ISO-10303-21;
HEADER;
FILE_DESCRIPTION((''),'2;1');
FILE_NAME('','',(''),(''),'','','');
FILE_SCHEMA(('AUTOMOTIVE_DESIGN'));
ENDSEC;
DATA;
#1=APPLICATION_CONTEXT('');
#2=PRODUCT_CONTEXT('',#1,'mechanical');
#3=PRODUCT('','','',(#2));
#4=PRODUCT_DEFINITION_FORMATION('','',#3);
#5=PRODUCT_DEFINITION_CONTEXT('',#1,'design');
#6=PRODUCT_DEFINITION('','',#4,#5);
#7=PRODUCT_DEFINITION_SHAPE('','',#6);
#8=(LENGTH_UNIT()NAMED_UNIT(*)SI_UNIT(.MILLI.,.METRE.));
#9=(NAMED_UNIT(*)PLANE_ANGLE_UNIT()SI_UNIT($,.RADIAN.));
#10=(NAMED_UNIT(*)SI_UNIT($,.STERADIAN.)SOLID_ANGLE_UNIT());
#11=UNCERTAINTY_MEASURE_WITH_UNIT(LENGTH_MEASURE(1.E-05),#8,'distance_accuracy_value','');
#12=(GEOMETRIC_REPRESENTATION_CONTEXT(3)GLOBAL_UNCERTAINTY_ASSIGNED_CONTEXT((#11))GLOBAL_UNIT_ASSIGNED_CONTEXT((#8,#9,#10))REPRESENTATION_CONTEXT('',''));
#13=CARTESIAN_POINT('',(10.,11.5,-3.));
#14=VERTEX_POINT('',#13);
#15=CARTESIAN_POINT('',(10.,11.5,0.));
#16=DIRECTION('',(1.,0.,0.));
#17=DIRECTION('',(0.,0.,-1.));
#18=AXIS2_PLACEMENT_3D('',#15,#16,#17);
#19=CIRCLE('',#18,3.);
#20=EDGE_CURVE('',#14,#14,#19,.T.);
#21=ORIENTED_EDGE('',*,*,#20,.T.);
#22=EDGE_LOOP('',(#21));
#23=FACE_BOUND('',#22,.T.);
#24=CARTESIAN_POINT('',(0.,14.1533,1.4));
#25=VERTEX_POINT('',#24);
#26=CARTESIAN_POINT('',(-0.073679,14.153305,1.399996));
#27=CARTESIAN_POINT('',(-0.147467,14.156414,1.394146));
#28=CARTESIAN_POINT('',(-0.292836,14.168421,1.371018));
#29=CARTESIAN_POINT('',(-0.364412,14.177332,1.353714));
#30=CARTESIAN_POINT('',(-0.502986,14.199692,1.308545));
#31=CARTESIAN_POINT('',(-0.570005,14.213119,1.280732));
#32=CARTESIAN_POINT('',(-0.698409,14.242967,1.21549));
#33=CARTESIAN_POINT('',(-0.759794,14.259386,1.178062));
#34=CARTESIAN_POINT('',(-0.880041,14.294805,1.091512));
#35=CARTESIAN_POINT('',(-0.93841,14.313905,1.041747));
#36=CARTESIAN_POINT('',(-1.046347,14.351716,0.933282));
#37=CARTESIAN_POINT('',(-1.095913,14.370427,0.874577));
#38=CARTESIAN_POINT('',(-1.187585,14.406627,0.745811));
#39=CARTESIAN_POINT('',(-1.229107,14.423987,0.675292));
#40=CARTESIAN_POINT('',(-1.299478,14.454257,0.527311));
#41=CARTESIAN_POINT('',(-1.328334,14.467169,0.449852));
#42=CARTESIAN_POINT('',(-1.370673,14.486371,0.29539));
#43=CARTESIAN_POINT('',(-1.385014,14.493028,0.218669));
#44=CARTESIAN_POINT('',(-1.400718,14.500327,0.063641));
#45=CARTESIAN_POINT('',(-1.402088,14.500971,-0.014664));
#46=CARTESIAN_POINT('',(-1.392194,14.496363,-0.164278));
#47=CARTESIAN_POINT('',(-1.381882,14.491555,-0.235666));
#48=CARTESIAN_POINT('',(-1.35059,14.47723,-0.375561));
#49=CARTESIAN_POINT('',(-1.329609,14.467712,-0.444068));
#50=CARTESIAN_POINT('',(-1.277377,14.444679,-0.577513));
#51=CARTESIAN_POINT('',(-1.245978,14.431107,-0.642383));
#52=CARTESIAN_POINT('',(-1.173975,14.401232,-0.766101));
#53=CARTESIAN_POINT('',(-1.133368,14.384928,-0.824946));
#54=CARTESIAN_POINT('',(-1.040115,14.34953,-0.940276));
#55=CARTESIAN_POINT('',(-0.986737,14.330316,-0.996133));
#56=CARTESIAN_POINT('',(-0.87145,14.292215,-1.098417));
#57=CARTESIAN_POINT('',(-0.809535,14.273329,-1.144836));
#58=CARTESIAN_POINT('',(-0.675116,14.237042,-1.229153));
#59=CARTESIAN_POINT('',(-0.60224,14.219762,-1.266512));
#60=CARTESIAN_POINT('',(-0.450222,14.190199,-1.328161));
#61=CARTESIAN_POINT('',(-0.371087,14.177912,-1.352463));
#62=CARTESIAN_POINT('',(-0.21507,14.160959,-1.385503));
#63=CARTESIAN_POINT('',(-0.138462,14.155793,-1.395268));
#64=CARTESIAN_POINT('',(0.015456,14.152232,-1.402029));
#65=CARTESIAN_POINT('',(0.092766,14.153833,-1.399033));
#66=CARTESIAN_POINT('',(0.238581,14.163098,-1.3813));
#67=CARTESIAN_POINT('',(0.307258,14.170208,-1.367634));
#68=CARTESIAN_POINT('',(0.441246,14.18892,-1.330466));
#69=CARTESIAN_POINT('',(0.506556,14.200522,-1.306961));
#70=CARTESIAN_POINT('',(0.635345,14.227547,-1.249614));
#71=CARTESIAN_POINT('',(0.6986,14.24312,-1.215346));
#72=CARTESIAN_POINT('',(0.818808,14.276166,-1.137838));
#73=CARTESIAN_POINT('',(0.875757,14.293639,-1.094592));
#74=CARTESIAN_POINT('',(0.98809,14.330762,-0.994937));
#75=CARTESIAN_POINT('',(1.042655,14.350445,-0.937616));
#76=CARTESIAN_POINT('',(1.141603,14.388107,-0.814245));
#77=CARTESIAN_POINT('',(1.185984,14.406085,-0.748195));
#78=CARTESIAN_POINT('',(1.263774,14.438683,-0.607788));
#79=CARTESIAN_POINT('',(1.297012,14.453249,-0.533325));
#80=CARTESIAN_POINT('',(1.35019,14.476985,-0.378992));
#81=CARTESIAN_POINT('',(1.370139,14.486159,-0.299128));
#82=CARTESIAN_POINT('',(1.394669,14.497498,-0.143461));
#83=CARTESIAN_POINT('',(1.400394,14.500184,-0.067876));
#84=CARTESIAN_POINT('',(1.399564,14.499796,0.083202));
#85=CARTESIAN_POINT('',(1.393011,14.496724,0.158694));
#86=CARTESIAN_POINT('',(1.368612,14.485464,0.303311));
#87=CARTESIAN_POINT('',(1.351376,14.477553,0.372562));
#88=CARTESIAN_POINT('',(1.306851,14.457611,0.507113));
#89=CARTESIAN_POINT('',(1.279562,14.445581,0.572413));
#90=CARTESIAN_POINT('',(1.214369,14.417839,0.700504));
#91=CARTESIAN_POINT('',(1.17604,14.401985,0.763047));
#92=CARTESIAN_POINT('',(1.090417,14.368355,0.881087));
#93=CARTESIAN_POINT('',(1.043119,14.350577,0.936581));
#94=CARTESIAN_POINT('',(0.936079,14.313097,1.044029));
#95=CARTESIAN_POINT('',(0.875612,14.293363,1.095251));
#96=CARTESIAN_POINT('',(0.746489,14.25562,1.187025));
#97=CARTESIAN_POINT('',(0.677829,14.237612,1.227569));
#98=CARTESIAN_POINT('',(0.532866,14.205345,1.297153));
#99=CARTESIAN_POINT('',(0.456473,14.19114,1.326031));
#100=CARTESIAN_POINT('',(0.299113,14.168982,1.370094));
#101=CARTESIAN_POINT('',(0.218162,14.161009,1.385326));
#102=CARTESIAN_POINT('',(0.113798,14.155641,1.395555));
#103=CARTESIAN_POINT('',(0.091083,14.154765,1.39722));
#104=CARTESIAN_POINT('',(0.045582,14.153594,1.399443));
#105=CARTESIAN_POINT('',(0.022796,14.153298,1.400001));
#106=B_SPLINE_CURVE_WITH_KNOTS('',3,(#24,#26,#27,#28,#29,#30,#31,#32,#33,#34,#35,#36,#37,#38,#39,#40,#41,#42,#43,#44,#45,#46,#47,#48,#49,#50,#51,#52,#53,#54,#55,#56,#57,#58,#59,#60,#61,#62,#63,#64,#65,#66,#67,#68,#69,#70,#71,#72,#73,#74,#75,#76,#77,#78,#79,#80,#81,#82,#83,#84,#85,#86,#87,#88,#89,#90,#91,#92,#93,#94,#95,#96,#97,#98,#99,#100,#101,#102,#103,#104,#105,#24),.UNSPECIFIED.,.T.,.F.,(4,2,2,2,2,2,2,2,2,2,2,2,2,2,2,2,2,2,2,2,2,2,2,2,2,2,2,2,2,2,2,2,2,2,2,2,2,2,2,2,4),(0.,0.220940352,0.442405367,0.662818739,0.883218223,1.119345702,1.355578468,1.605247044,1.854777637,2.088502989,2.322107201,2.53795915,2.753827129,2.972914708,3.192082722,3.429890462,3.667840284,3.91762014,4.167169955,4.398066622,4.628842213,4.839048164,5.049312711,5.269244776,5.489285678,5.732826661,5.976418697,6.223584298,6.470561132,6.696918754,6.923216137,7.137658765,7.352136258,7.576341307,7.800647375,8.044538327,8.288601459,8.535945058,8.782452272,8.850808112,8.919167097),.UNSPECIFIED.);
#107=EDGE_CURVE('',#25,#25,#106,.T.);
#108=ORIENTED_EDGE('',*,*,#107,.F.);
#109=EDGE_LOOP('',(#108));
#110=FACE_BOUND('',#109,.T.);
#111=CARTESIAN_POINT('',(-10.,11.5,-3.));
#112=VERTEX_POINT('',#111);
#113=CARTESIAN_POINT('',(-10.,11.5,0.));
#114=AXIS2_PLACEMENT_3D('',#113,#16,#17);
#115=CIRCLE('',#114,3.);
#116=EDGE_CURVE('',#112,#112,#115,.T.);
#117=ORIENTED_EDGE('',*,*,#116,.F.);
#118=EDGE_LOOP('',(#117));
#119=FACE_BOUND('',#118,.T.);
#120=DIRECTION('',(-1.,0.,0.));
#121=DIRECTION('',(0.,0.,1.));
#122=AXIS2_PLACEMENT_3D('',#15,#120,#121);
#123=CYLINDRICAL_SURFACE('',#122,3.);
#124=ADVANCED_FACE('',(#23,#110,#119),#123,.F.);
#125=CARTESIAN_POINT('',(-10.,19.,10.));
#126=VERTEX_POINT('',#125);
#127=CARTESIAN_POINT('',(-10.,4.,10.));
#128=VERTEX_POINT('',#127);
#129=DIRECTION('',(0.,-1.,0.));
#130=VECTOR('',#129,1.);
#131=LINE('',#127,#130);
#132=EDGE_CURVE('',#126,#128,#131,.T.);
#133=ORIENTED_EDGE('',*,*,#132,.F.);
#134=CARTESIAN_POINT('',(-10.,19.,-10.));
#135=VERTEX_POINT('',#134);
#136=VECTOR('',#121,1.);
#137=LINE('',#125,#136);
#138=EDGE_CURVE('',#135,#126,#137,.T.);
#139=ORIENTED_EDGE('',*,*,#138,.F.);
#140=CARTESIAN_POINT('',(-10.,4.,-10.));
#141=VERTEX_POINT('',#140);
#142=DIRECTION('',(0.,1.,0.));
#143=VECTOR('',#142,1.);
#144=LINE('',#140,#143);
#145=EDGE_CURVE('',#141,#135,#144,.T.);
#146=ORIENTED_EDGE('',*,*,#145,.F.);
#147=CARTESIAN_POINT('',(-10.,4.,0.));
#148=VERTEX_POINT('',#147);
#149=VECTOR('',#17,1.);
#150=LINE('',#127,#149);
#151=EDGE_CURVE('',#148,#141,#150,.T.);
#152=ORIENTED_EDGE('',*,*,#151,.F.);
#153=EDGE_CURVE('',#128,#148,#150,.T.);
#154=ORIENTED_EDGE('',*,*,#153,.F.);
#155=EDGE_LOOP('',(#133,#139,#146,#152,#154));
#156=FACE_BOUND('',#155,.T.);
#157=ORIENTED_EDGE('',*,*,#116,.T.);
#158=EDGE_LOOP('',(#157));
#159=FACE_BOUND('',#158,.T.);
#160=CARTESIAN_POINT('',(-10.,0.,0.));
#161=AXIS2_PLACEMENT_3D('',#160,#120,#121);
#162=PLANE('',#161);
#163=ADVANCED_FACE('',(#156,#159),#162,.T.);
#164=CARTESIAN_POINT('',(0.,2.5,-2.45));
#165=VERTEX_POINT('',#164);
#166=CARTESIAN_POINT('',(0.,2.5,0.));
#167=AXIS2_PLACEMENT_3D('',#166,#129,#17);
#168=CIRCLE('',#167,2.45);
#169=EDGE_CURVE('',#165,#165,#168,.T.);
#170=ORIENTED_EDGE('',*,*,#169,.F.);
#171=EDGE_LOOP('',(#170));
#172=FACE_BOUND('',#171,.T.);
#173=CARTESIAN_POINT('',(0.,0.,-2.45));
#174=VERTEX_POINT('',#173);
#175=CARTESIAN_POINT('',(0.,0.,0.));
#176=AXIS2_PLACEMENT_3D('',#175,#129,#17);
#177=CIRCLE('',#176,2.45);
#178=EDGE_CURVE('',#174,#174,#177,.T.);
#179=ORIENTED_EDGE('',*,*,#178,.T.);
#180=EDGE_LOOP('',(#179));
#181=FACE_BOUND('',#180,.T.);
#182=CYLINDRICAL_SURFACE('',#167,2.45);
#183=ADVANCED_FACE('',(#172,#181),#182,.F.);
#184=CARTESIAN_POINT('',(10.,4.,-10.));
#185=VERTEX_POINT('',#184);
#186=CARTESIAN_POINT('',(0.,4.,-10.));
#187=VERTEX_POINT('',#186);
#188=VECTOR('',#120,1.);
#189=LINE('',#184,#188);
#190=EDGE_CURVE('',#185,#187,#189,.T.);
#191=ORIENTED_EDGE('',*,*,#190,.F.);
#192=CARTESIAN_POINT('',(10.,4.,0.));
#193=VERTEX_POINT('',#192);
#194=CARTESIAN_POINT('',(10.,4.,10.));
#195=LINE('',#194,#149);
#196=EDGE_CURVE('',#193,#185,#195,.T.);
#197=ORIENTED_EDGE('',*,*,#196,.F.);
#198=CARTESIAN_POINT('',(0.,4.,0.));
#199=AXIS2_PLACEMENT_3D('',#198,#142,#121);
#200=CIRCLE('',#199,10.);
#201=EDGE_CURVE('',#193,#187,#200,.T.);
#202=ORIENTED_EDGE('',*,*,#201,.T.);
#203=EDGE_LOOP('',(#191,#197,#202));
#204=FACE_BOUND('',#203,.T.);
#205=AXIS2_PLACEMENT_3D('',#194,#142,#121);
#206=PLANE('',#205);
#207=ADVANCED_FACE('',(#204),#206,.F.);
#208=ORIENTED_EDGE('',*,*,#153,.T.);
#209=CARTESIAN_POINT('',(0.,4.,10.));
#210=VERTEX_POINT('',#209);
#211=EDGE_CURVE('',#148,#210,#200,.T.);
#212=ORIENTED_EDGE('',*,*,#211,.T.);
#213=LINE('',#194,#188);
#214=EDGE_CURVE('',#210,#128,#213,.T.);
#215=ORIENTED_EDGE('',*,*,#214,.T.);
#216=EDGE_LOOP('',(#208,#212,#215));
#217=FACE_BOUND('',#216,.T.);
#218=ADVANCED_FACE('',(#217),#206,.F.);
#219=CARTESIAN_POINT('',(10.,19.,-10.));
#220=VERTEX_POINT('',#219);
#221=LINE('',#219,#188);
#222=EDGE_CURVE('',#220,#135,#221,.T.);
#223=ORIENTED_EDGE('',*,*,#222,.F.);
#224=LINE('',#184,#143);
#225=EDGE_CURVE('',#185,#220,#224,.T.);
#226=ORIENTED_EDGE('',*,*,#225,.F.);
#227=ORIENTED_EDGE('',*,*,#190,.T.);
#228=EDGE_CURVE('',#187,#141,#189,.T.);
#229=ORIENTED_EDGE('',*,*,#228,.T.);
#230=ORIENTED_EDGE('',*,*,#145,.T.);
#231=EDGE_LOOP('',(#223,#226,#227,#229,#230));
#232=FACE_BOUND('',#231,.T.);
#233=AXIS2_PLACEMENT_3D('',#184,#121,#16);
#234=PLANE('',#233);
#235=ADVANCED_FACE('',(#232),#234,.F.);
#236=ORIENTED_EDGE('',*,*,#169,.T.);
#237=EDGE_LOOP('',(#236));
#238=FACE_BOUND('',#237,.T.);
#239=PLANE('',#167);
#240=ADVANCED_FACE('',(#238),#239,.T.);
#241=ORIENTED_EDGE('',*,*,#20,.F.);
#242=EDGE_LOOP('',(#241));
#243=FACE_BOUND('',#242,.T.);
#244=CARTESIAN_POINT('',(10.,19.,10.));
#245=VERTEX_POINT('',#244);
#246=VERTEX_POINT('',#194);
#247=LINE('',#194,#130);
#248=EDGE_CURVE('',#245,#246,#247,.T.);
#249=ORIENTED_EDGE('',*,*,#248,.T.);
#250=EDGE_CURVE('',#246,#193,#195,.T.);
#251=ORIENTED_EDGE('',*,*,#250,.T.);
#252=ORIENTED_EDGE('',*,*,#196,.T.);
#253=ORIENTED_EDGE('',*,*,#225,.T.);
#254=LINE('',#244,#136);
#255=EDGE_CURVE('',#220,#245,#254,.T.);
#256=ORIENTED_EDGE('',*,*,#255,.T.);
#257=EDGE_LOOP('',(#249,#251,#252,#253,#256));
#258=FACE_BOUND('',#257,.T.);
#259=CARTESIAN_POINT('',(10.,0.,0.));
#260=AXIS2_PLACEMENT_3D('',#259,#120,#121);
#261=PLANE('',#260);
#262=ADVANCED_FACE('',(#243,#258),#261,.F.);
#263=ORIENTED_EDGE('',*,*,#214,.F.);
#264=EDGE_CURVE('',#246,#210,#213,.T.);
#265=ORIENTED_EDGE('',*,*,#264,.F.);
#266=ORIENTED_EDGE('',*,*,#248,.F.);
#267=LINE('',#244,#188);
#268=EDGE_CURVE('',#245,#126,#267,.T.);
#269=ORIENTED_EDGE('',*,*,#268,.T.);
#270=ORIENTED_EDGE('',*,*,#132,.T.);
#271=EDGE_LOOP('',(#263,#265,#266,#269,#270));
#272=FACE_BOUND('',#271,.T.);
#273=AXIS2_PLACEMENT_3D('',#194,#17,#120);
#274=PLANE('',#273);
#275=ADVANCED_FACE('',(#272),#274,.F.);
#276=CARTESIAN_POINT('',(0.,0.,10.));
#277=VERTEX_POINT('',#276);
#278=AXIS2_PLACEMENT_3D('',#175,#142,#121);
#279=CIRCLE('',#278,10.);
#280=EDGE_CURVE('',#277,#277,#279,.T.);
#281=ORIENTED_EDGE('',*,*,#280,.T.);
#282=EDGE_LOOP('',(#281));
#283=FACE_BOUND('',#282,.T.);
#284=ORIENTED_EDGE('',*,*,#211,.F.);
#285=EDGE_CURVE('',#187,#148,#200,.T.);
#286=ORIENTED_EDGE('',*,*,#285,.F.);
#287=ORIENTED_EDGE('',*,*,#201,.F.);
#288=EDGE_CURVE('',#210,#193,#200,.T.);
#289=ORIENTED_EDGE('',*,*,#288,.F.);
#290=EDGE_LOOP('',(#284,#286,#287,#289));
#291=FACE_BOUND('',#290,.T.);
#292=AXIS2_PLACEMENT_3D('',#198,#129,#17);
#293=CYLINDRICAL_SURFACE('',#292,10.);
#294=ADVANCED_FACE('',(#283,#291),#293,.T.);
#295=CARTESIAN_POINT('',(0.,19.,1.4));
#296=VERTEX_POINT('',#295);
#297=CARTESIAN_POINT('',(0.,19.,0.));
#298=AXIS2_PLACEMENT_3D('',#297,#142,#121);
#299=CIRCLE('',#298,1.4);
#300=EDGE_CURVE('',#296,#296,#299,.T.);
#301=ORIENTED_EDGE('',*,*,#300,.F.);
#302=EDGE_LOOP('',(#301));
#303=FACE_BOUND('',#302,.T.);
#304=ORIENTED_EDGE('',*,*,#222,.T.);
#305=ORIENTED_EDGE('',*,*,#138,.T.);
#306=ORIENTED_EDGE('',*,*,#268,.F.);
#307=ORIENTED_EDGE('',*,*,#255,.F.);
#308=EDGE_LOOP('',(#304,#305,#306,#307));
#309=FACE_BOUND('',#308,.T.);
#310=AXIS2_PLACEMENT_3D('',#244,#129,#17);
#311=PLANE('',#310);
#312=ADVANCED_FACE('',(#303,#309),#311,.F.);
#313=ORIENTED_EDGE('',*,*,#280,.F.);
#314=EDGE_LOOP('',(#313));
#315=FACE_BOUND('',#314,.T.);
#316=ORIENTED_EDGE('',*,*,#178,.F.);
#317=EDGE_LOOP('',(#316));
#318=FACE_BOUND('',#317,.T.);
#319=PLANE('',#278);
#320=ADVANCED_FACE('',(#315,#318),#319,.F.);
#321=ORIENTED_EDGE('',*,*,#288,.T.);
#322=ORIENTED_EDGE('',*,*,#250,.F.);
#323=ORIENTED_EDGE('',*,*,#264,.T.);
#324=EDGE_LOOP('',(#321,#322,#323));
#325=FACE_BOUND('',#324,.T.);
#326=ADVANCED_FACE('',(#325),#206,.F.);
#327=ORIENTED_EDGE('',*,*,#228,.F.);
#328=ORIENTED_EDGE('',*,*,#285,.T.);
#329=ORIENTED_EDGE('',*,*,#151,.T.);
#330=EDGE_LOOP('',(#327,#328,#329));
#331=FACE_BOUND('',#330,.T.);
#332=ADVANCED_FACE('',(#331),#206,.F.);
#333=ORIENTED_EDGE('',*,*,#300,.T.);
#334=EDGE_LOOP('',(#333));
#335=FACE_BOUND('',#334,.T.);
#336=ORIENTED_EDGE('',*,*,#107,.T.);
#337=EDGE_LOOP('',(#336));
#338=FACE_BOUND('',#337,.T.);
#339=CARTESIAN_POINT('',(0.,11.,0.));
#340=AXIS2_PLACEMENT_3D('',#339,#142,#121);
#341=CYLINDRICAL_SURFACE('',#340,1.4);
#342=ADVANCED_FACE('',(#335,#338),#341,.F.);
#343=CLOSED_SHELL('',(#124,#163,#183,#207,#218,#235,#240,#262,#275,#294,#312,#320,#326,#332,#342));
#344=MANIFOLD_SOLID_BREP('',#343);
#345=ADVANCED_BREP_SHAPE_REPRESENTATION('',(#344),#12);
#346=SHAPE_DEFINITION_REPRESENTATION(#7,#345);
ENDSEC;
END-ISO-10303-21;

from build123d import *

# Parameters (mm, degrees)
SKETCH1_R           = 10
BOSS_EXTRUDE1_DEPTH = 4
SKETCH2_R           = 2.45
CUT_EXTRUDE1_DEPTH  = 2.5
SKETCH3_W           = 20
SKETCH3_H           = 15
SKETCH3_R           = 3
BOSS_EXTRUDE2_DEPTH = 10
SKETCH4_R           = 1.4
CUT_EXTRUDE2_DEPTH  = 8


with BuildPart() as part:
    # Sketch1 → Boss-Extrude1 (new body)
    with BuildSketch(Plane(origin=(0, 0, 0), x_dir=(1, 0, 0), z_dir=(0, 1, 0))):
        with Locations(Location((0, 0, 0), (0, 0, 270))):
            Circle(SKETCH1_R)
    extrude(amount=BOSS_EXTRUDE1_DEPTH)

    # Sketch2 → Cut-Extrude1 (cut)
    with BuildSketch(Plane.XZ):
        with Locations(Location((0, 0, 0), (0, 0, 270))):
            Circle(SKETCH2_R)
    extrude(amount=-CUT_EXTRUDE1_DEPTH, mode=Mode.SUBTRACT)

    # Sketch3 → Boss-Extrude2 (add, symmetric)
    with BuildSketch(Plane(origin=(0, 0, 0), x_dir=(0, 0, -1), z_dir=(1, 0, 0))):
        with Locations((0, 11.5)):
            Rectangle(SKETCH3_W, SKETCH3_H)
        with Locations((0, 11.5)):
            Circle(SKETCH3_R, mode=Mode.SUBTRACT)
    extrude(amount=BOSS_EXTRUDE2_DEPTH, both=True)

    # Sketch4 → Cut-Extrude2 (cut)
    with BuildSketch(Plane(origin=(0, 19, 0), x_dir=(1, 0, 0), z_dir=(0, 1, 0))):
        with Locations(Location((0, 0, 0), (0, 0, 270))):
            Circle(SKETCH4_R)
    extrude(amount=-CUT_EXTRUDE2_DEPTH, mode=Mode.SUBTRACT)


solid = part.part
